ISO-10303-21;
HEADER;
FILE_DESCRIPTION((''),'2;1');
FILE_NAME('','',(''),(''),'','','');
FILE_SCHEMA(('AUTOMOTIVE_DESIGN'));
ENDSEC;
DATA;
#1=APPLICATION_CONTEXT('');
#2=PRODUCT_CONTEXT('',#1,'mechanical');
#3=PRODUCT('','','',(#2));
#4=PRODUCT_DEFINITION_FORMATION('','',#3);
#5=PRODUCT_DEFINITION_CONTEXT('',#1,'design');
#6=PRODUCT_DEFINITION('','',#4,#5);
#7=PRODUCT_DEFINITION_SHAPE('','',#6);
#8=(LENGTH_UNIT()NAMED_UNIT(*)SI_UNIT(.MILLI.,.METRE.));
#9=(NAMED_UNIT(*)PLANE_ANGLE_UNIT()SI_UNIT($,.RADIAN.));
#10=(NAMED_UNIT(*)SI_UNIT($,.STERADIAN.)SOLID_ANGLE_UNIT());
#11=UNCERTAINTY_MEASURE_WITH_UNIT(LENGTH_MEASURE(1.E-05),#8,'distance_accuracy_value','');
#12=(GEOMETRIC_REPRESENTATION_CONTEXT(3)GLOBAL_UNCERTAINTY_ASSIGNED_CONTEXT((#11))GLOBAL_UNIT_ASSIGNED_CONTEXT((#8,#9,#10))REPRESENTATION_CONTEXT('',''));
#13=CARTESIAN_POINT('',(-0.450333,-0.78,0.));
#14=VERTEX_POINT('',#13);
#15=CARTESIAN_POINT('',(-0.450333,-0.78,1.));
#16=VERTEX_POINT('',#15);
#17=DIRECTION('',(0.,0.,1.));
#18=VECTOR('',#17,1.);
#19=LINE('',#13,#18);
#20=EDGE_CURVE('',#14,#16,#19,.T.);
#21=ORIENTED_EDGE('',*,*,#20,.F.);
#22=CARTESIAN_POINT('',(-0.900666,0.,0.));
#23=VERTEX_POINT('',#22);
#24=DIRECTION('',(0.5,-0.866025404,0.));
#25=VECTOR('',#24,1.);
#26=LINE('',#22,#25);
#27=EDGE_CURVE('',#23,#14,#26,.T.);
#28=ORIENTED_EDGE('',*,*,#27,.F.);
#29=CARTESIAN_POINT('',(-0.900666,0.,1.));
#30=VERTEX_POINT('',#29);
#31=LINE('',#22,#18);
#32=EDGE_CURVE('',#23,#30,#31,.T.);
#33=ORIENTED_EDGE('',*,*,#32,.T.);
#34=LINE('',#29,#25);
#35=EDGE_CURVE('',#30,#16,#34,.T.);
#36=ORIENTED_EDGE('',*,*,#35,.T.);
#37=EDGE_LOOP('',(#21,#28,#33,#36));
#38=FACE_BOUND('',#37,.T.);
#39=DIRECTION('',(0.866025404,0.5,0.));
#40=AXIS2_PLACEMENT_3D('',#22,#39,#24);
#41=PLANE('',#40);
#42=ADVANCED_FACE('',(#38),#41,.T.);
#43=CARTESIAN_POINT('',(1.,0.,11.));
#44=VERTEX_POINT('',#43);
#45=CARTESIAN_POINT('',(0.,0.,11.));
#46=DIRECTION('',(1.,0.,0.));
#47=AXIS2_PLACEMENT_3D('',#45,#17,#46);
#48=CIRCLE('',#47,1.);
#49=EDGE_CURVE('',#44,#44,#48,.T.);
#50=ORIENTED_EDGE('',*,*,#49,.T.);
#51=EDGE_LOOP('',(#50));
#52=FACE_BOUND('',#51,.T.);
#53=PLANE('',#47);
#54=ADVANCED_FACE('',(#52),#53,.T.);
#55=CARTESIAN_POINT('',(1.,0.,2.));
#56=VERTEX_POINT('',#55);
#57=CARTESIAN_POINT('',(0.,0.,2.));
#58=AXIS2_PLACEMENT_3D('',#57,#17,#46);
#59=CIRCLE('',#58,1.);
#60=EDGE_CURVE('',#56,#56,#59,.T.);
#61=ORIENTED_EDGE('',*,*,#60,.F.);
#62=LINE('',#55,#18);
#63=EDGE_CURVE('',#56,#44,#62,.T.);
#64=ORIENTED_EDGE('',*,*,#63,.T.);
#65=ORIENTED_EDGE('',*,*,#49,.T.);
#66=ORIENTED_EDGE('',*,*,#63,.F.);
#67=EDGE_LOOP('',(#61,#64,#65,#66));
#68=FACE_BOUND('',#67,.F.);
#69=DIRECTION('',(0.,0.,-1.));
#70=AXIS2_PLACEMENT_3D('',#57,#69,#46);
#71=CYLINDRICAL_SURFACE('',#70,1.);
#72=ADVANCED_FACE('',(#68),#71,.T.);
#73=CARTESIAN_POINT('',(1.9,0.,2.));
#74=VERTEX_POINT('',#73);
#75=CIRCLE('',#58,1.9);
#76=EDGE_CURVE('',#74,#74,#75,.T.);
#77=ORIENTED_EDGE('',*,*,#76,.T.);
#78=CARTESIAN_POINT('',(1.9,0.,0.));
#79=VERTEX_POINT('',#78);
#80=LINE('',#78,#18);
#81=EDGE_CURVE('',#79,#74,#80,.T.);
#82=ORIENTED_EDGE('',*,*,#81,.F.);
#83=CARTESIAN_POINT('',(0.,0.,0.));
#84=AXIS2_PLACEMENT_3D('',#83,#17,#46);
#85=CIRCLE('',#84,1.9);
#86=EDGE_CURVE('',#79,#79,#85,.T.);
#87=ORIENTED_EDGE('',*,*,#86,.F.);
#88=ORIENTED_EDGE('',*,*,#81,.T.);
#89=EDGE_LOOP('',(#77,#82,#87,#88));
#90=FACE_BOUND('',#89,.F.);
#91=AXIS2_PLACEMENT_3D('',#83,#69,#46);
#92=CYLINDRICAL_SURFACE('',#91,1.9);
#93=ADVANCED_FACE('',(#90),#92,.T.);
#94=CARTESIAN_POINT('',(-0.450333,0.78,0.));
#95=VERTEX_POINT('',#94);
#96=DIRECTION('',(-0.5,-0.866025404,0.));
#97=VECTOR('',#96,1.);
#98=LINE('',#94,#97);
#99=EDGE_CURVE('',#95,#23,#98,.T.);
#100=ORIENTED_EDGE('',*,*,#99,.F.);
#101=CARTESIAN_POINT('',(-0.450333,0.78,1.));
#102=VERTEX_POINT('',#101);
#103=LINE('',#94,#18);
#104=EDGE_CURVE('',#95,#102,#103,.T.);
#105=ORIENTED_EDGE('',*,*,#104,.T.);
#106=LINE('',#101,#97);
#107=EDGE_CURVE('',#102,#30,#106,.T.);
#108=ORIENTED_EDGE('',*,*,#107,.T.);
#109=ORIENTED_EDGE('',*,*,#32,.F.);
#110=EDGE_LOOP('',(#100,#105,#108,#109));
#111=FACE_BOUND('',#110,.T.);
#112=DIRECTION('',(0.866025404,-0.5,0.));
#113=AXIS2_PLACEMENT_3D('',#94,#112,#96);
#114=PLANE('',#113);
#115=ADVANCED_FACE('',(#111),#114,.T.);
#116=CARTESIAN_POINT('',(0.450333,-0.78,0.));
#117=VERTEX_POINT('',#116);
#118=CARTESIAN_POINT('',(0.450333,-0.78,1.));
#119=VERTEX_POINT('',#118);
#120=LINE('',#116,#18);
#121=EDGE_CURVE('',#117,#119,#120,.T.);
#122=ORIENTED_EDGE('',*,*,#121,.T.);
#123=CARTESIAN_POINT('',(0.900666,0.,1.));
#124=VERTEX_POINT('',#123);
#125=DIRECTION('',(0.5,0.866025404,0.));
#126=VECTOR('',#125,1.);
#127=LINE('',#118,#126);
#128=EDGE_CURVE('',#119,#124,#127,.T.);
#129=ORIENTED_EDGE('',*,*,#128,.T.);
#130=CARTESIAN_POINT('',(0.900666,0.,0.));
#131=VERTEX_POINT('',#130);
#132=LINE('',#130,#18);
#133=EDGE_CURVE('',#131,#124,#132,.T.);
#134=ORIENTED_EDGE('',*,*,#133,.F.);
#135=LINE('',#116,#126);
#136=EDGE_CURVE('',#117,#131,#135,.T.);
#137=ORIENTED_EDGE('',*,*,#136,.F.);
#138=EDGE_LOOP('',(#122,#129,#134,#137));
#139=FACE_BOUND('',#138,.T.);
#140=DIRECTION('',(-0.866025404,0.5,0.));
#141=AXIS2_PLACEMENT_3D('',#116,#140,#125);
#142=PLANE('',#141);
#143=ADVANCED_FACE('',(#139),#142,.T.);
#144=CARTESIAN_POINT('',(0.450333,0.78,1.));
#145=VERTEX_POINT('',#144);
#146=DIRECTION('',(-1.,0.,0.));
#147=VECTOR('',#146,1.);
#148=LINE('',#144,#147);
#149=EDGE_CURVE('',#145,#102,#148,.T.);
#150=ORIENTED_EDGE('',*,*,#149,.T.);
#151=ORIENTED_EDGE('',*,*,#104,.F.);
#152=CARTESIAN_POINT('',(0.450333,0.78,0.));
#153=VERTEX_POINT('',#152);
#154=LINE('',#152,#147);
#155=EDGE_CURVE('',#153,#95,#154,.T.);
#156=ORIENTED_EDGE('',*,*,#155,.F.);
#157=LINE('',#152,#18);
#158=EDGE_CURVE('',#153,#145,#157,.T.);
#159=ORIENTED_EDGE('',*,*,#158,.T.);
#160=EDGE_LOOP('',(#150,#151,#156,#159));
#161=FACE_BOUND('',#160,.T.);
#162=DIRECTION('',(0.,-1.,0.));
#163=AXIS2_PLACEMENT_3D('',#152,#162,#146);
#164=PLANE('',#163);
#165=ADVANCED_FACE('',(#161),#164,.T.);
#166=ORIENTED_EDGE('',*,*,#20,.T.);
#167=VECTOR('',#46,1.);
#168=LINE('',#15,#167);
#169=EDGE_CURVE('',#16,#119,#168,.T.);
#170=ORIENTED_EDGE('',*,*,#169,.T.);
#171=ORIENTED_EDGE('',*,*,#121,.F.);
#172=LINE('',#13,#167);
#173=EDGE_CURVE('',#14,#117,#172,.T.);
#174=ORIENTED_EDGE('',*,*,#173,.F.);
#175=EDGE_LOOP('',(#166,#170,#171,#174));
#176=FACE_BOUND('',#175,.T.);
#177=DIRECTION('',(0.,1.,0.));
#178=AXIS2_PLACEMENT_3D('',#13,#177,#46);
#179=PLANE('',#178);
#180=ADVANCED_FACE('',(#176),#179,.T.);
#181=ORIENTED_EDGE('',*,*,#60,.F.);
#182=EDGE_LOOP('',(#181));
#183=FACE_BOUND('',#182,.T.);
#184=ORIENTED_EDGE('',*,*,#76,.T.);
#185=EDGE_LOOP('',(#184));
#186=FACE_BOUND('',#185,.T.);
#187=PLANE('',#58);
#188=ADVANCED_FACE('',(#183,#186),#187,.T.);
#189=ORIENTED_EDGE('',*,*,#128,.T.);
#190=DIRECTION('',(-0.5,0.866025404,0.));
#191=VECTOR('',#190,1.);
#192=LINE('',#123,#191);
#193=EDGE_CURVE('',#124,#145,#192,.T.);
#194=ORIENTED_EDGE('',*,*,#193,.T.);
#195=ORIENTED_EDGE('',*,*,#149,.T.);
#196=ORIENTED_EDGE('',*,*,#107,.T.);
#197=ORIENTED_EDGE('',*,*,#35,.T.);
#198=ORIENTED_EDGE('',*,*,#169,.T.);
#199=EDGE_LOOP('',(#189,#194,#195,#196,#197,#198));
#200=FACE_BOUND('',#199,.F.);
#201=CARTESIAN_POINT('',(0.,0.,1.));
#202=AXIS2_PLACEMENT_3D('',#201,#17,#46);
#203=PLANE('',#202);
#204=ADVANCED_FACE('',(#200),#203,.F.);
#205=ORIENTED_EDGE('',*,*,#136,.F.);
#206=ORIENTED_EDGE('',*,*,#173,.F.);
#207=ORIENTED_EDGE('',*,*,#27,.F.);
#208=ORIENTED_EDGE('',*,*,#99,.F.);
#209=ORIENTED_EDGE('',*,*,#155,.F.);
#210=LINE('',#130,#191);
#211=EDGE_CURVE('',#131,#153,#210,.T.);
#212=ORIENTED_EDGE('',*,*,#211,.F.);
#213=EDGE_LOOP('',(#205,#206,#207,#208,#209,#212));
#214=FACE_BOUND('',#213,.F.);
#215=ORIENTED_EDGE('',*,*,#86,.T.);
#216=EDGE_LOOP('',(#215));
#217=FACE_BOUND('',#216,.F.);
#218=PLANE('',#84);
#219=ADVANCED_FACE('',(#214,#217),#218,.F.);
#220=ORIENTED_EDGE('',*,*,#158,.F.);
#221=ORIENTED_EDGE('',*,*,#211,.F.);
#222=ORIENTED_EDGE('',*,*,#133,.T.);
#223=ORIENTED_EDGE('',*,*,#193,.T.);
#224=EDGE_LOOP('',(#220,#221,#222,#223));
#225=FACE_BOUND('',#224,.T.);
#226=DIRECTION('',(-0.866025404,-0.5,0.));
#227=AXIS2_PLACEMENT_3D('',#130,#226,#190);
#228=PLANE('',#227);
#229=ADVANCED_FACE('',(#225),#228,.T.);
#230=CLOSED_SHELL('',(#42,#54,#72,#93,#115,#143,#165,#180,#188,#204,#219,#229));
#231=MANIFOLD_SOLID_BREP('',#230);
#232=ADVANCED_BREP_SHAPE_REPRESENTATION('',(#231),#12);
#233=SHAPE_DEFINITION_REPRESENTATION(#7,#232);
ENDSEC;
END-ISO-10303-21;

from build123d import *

# Parameters (mm, degrees)
F0_R     = 1.9
F1_DEPTH = 2
F2_DEPTH = 1
F3_R     = 1
F4_DEPTH = 9


with BuildPart() as f1:
    # F0 (on Top) → F1 (new body)
    with BuildSketch(Plane.XY):
        Circle(F0_R)
        Polygon((-0.9006664199, 0), (-0.45033321, 0.78), (0.45033321, 0.78), (0.9006664199, 0), (0.45033321, -0.78), (-0.45033321, -0.78), align=None, mode=Mode.SUBTRACT)
        Polygon((0.45033321, 0.78), (-0.45033321, 0.78), (-0.9006664199, 0), (-0.45033321, -0.78), (0.45033321, -0.78), (0.9006664199, 0), align=None)
    extrude(amount=F1_DEPTH)

    # F0 (on Top) → F2 (cut)
    with BuildSketch(Plane.XY):
        Polygon((0.45033321, 0.78), (-0.45033321, 0.78), (-0.9006664199, 0), (-0.45033321, -0.78), (0.45033321, -0.78), (0.9006664199, 0), align=None)
    extrude(amount=F2_DEPTH, mode=Mode.SUBTRACT)

    # F3 (on face) → F4 (join)
    with BuildSketch(Plane.XY.offset(2)):
        Circle(F3_R)
    extrude(amount=F4_DEPTH)


solid = f1.part
